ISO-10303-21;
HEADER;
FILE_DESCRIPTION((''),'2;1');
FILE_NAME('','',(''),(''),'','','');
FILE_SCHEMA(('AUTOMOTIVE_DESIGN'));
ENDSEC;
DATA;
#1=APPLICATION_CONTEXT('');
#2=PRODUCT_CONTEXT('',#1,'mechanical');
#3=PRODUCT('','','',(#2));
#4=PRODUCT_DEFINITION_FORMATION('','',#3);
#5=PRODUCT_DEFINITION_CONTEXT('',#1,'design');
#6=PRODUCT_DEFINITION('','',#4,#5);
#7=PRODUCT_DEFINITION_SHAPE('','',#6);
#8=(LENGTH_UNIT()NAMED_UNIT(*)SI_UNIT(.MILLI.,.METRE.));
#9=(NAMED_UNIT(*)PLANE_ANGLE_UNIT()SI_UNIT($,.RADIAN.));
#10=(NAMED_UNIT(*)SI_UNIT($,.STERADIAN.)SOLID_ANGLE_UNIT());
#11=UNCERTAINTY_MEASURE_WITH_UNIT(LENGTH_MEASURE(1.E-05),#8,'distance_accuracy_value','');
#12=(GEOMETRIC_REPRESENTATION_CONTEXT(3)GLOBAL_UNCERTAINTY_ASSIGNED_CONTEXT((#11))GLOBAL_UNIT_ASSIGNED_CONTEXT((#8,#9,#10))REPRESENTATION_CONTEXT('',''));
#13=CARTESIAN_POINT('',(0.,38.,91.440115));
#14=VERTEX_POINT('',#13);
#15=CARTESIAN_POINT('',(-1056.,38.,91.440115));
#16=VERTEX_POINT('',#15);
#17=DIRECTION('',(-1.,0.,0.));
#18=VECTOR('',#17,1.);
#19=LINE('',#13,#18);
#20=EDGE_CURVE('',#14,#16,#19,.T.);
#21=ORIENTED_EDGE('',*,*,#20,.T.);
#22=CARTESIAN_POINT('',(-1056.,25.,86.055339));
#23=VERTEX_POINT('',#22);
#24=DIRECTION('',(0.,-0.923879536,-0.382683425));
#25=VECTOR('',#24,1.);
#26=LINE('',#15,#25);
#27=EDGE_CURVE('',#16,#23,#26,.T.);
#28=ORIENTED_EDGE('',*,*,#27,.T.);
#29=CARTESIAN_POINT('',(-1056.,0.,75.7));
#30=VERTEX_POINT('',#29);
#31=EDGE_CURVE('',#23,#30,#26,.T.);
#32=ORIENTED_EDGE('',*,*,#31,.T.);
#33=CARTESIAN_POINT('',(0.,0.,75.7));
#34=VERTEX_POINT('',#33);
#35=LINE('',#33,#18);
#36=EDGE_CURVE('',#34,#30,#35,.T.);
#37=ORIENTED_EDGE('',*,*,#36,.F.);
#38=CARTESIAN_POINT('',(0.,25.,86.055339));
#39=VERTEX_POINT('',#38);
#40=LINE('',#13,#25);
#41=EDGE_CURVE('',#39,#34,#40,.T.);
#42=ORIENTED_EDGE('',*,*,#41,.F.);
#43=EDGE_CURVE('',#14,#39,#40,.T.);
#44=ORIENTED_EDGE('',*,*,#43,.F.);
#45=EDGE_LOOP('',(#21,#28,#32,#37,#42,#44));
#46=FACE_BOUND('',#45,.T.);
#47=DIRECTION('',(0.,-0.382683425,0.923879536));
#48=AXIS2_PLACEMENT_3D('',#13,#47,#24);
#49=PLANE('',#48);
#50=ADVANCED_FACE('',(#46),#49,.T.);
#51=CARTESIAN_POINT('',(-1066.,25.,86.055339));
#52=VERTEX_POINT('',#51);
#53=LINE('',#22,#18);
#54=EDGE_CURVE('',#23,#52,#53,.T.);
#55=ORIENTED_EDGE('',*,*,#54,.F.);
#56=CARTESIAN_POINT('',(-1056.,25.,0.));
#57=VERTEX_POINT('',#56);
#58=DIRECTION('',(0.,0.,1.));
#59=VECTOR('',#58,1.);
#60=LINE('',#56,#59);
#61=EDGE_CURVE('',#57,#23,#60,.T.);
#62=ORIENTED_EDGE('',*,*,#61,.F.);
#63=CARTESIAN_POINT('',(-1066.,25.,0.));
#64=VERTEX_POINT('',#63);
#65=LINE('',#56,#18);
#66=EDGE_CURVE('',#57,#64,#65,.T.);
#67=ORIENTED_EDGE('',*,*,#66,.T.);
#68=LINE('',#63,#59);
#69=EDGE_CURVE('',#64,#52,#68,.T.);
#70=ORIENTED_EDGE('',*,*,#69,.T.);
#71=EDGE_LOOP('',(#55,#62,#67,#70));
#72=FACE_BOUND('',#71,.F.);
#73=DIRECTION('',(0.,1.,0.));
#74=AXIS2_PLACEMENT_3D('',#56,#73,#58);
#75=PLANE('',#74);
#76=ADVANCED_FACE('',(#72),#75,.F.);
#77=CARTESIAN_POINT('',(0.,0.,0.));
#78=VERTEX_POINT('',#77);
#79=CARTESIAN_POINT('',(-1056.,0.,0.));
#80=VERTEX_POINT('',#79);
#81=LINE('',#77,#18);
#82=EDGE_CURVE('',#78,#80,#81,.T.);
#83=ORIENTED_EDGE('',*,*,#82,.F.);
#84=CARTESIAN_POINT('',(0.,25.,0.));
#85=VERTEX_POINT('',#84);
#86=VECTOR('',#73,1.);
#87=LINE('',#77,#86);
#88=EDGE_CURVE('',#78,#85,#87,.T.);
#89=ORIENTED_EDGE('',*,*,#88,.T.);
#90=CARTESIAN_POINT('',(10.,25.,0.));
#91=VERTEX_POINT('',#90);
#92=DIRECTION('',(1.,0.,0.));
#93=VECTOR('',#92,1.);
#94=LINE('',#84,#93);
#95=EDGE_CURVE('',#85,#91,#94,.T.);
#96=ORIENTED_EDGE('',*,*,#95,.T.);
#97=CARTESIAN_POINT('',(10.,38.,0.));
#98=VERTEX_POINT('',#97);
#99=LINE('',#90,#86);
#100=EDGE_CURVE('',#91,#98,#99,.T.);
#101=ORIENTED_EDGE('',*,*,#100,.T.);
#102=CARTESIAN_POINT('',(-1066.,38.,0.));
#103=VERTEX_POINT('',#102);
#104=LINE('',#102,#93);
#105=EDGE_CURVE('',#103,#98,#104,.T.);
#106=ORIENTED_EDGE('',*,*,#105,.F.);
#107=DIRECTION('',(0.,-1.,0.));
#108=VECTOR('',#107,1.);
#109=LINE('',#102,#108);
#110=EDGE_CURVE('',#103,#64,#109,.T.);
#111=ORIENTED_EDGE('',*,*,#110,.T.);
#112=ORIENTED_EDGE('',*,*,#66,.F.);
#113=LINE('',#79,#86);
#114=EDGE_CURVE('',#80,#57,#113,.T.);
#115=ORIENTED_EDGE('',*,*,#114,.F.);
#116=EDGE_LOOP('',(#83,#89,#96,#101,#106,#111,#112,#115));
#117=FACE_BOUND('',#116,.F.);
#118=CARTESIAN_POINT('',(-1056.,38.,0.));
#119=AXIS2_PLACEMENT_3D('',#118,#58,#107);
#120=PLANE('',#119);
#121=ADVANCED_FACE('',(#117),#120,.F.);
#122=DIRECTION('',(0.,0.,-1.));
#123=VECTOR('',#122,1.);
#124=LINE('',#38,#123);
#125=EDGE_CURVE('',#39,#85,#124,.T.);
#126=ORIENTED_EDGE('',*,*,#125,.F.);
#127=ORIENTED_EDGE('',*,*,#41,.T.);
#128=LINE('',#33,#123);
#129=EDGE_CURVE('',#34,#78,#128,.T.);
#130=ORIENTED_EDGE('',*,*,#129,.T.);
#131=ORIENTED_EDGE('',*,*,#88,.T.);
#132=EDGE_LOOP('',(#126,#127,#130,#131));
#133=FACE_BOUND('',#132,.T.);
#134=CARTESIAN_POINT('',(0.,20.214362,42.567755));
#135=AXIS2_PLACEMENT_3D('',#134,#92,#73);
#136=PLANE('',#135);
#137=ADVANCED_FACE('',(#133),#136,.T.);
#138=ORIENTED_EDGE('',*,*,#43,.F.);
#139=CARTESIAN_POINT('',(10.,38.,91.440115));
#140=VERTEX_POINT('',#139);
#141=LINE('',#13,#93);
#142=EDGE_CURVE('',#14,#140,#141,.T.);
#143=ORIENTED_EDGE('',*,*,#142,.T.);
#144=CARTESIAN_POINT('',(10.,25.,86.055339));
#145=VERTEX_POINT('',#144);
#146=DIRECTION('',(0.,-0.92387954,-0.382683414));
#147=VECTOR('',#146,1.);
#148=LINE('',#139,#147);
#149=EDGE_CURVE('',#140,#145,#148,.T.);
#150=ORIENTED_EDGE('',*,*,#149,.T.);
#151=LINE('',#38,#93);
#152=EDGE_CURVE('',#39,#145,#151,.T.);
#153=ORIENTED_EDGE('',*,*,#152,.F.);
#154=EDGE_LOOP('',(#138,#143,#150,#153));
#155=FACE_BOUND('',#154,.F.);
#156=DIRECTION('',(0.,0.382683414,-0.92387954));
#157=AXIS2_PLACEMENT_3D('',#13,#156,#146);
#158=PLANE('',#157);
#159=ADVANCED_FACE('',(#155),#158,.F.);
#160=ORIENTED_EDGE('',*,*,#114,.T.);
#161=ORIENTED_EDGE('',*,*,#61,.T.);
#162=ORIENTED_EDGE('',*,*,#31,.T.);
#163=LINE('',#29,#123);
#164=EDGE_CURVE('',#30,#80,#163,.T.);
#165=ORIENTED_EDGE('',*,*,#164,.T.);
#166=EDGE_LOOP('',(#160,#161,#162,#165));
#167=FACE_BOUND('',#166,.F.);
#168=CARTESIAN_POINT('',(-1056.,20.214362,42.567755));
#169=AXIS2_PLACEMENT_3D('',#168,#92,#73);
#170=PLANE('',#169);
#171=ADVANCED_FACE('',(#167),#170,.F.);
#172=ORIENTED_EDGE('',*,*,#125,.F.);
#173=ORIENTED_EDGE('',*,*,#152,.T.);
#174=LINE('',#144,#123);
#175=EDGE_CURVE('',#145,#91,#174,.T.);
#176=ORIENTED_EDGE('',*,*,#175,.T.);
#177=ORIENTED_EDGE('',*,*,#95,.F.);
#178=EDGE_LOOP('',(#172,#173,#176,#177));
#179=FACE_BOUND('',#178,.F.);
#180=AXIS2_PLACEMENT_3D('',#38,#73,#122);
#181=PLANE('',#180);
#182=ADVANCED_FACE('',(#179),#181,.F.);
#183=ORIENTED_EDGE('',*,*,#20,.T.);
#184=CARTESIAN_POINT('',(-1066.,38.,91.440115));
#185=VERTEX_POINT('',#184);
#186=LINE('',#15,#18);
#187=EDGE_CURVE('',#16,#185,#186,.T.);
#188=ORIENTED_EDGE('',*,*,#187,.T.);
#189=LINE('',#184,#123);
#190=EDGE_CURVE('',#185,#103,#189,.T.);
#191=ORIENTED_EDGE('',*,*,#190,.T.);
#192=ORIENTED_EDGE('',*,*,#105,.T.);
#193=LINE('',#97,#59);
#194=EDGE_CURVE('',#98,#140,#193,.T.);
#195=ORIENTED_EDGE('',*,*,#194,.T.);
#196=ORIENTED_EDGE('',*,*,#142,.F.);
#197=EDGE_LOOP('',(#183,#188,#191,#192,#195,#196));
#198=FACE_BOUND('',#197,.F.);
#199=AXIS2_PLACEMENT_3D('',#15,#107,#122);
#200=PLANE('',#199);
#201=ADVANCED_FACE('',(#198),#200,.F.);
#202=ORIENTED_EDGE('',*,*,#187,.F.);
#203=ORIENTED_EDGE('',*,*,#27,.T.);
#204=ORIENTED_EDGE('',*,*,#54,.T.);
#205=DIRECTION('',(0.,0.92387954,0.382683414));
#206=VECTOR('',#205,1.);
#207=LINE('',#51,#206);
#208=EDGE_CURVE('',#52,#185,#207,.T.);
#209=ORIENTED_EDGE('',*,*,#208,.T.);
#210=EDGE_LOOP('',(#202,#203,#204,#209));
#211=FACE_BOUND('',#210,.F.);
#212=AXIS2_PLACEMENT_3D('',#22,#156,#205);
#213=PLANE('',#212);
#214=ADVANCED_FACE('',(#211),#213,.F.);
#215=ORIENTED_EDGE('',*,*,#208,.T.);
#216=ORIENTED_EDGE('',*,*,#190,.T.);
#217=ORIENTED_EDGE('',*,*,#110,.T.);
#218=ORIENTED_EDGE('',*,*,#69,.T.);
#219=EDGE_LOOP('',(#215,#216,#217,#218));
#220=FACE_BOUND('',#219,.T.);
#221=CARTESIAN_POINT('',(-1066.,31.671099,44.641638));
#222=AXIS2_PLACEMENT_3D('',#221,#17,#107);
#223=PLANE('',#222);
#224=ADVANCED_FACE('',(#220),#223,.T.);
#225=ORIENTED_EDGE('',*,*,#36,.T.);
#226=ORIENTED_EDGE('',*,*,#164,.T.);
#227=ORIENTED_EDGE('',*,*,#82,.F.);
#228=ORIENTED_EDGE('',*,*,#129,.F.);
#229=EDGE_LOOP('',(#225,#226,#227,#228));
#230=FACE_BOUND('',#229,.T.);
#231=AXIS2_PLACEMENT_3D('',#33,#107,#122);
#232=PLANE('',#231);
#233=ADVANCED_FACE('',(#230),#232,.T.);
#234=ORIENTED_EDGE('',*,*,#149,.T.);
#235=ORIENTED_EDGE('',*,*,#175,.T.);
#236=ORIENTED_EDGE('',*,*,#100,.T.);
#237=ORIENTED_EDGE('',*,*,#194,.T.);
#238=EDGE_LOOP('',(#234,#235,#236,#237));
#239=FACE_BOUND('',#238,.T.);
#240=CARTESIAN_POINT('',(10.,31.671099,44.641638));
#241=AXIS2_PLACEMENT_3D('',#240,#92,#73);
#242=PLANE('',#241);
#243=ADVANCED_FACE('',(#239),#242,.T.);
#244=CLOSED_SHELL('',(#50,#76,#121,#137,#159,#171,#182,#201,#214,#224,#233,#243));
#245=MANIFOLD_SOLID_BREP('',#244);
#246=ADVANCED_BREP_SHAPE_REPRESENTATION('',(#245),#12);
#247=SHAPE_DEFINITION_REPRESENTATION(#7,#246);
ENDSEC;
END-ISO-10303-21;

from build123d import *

# Parameters (mm, degrees)
F1_DEPTH = 1056
F3_DEPTH = 10
F5_DEPTH = 10


with BuildPart() as f1:
    # F0 (on Right) → F1 (new body)
    with BuildSketch(Plane.YZ):
        Polygon((0, 75.7), (0, 0), (38, 0), (38, 91.440115), align=None)
    extrude(amount=-F1_DEPTH)

    # F2 (on face) → F3 (join)
    with BuildSketch(Plane.YZ):
        Polygon((25, 86.055339), (25, 0), (38, 0), (38, 91.440115), align=None)
    extrude(amount=F3_DEPTH)

    # F4 (on face) → F5 (join)
    with BuildSketch(Plane(origin=(-1056, 0, 0), x_dir=(0, -1, 0), z_dir=(-1, 0, 0))):
        Polygon((-38, 0), (-25, 0), (-25, 86.055339), (-38, 91.440115), align=None)
    extrude(amount=F5_DEPTH)


solid = f1.part
